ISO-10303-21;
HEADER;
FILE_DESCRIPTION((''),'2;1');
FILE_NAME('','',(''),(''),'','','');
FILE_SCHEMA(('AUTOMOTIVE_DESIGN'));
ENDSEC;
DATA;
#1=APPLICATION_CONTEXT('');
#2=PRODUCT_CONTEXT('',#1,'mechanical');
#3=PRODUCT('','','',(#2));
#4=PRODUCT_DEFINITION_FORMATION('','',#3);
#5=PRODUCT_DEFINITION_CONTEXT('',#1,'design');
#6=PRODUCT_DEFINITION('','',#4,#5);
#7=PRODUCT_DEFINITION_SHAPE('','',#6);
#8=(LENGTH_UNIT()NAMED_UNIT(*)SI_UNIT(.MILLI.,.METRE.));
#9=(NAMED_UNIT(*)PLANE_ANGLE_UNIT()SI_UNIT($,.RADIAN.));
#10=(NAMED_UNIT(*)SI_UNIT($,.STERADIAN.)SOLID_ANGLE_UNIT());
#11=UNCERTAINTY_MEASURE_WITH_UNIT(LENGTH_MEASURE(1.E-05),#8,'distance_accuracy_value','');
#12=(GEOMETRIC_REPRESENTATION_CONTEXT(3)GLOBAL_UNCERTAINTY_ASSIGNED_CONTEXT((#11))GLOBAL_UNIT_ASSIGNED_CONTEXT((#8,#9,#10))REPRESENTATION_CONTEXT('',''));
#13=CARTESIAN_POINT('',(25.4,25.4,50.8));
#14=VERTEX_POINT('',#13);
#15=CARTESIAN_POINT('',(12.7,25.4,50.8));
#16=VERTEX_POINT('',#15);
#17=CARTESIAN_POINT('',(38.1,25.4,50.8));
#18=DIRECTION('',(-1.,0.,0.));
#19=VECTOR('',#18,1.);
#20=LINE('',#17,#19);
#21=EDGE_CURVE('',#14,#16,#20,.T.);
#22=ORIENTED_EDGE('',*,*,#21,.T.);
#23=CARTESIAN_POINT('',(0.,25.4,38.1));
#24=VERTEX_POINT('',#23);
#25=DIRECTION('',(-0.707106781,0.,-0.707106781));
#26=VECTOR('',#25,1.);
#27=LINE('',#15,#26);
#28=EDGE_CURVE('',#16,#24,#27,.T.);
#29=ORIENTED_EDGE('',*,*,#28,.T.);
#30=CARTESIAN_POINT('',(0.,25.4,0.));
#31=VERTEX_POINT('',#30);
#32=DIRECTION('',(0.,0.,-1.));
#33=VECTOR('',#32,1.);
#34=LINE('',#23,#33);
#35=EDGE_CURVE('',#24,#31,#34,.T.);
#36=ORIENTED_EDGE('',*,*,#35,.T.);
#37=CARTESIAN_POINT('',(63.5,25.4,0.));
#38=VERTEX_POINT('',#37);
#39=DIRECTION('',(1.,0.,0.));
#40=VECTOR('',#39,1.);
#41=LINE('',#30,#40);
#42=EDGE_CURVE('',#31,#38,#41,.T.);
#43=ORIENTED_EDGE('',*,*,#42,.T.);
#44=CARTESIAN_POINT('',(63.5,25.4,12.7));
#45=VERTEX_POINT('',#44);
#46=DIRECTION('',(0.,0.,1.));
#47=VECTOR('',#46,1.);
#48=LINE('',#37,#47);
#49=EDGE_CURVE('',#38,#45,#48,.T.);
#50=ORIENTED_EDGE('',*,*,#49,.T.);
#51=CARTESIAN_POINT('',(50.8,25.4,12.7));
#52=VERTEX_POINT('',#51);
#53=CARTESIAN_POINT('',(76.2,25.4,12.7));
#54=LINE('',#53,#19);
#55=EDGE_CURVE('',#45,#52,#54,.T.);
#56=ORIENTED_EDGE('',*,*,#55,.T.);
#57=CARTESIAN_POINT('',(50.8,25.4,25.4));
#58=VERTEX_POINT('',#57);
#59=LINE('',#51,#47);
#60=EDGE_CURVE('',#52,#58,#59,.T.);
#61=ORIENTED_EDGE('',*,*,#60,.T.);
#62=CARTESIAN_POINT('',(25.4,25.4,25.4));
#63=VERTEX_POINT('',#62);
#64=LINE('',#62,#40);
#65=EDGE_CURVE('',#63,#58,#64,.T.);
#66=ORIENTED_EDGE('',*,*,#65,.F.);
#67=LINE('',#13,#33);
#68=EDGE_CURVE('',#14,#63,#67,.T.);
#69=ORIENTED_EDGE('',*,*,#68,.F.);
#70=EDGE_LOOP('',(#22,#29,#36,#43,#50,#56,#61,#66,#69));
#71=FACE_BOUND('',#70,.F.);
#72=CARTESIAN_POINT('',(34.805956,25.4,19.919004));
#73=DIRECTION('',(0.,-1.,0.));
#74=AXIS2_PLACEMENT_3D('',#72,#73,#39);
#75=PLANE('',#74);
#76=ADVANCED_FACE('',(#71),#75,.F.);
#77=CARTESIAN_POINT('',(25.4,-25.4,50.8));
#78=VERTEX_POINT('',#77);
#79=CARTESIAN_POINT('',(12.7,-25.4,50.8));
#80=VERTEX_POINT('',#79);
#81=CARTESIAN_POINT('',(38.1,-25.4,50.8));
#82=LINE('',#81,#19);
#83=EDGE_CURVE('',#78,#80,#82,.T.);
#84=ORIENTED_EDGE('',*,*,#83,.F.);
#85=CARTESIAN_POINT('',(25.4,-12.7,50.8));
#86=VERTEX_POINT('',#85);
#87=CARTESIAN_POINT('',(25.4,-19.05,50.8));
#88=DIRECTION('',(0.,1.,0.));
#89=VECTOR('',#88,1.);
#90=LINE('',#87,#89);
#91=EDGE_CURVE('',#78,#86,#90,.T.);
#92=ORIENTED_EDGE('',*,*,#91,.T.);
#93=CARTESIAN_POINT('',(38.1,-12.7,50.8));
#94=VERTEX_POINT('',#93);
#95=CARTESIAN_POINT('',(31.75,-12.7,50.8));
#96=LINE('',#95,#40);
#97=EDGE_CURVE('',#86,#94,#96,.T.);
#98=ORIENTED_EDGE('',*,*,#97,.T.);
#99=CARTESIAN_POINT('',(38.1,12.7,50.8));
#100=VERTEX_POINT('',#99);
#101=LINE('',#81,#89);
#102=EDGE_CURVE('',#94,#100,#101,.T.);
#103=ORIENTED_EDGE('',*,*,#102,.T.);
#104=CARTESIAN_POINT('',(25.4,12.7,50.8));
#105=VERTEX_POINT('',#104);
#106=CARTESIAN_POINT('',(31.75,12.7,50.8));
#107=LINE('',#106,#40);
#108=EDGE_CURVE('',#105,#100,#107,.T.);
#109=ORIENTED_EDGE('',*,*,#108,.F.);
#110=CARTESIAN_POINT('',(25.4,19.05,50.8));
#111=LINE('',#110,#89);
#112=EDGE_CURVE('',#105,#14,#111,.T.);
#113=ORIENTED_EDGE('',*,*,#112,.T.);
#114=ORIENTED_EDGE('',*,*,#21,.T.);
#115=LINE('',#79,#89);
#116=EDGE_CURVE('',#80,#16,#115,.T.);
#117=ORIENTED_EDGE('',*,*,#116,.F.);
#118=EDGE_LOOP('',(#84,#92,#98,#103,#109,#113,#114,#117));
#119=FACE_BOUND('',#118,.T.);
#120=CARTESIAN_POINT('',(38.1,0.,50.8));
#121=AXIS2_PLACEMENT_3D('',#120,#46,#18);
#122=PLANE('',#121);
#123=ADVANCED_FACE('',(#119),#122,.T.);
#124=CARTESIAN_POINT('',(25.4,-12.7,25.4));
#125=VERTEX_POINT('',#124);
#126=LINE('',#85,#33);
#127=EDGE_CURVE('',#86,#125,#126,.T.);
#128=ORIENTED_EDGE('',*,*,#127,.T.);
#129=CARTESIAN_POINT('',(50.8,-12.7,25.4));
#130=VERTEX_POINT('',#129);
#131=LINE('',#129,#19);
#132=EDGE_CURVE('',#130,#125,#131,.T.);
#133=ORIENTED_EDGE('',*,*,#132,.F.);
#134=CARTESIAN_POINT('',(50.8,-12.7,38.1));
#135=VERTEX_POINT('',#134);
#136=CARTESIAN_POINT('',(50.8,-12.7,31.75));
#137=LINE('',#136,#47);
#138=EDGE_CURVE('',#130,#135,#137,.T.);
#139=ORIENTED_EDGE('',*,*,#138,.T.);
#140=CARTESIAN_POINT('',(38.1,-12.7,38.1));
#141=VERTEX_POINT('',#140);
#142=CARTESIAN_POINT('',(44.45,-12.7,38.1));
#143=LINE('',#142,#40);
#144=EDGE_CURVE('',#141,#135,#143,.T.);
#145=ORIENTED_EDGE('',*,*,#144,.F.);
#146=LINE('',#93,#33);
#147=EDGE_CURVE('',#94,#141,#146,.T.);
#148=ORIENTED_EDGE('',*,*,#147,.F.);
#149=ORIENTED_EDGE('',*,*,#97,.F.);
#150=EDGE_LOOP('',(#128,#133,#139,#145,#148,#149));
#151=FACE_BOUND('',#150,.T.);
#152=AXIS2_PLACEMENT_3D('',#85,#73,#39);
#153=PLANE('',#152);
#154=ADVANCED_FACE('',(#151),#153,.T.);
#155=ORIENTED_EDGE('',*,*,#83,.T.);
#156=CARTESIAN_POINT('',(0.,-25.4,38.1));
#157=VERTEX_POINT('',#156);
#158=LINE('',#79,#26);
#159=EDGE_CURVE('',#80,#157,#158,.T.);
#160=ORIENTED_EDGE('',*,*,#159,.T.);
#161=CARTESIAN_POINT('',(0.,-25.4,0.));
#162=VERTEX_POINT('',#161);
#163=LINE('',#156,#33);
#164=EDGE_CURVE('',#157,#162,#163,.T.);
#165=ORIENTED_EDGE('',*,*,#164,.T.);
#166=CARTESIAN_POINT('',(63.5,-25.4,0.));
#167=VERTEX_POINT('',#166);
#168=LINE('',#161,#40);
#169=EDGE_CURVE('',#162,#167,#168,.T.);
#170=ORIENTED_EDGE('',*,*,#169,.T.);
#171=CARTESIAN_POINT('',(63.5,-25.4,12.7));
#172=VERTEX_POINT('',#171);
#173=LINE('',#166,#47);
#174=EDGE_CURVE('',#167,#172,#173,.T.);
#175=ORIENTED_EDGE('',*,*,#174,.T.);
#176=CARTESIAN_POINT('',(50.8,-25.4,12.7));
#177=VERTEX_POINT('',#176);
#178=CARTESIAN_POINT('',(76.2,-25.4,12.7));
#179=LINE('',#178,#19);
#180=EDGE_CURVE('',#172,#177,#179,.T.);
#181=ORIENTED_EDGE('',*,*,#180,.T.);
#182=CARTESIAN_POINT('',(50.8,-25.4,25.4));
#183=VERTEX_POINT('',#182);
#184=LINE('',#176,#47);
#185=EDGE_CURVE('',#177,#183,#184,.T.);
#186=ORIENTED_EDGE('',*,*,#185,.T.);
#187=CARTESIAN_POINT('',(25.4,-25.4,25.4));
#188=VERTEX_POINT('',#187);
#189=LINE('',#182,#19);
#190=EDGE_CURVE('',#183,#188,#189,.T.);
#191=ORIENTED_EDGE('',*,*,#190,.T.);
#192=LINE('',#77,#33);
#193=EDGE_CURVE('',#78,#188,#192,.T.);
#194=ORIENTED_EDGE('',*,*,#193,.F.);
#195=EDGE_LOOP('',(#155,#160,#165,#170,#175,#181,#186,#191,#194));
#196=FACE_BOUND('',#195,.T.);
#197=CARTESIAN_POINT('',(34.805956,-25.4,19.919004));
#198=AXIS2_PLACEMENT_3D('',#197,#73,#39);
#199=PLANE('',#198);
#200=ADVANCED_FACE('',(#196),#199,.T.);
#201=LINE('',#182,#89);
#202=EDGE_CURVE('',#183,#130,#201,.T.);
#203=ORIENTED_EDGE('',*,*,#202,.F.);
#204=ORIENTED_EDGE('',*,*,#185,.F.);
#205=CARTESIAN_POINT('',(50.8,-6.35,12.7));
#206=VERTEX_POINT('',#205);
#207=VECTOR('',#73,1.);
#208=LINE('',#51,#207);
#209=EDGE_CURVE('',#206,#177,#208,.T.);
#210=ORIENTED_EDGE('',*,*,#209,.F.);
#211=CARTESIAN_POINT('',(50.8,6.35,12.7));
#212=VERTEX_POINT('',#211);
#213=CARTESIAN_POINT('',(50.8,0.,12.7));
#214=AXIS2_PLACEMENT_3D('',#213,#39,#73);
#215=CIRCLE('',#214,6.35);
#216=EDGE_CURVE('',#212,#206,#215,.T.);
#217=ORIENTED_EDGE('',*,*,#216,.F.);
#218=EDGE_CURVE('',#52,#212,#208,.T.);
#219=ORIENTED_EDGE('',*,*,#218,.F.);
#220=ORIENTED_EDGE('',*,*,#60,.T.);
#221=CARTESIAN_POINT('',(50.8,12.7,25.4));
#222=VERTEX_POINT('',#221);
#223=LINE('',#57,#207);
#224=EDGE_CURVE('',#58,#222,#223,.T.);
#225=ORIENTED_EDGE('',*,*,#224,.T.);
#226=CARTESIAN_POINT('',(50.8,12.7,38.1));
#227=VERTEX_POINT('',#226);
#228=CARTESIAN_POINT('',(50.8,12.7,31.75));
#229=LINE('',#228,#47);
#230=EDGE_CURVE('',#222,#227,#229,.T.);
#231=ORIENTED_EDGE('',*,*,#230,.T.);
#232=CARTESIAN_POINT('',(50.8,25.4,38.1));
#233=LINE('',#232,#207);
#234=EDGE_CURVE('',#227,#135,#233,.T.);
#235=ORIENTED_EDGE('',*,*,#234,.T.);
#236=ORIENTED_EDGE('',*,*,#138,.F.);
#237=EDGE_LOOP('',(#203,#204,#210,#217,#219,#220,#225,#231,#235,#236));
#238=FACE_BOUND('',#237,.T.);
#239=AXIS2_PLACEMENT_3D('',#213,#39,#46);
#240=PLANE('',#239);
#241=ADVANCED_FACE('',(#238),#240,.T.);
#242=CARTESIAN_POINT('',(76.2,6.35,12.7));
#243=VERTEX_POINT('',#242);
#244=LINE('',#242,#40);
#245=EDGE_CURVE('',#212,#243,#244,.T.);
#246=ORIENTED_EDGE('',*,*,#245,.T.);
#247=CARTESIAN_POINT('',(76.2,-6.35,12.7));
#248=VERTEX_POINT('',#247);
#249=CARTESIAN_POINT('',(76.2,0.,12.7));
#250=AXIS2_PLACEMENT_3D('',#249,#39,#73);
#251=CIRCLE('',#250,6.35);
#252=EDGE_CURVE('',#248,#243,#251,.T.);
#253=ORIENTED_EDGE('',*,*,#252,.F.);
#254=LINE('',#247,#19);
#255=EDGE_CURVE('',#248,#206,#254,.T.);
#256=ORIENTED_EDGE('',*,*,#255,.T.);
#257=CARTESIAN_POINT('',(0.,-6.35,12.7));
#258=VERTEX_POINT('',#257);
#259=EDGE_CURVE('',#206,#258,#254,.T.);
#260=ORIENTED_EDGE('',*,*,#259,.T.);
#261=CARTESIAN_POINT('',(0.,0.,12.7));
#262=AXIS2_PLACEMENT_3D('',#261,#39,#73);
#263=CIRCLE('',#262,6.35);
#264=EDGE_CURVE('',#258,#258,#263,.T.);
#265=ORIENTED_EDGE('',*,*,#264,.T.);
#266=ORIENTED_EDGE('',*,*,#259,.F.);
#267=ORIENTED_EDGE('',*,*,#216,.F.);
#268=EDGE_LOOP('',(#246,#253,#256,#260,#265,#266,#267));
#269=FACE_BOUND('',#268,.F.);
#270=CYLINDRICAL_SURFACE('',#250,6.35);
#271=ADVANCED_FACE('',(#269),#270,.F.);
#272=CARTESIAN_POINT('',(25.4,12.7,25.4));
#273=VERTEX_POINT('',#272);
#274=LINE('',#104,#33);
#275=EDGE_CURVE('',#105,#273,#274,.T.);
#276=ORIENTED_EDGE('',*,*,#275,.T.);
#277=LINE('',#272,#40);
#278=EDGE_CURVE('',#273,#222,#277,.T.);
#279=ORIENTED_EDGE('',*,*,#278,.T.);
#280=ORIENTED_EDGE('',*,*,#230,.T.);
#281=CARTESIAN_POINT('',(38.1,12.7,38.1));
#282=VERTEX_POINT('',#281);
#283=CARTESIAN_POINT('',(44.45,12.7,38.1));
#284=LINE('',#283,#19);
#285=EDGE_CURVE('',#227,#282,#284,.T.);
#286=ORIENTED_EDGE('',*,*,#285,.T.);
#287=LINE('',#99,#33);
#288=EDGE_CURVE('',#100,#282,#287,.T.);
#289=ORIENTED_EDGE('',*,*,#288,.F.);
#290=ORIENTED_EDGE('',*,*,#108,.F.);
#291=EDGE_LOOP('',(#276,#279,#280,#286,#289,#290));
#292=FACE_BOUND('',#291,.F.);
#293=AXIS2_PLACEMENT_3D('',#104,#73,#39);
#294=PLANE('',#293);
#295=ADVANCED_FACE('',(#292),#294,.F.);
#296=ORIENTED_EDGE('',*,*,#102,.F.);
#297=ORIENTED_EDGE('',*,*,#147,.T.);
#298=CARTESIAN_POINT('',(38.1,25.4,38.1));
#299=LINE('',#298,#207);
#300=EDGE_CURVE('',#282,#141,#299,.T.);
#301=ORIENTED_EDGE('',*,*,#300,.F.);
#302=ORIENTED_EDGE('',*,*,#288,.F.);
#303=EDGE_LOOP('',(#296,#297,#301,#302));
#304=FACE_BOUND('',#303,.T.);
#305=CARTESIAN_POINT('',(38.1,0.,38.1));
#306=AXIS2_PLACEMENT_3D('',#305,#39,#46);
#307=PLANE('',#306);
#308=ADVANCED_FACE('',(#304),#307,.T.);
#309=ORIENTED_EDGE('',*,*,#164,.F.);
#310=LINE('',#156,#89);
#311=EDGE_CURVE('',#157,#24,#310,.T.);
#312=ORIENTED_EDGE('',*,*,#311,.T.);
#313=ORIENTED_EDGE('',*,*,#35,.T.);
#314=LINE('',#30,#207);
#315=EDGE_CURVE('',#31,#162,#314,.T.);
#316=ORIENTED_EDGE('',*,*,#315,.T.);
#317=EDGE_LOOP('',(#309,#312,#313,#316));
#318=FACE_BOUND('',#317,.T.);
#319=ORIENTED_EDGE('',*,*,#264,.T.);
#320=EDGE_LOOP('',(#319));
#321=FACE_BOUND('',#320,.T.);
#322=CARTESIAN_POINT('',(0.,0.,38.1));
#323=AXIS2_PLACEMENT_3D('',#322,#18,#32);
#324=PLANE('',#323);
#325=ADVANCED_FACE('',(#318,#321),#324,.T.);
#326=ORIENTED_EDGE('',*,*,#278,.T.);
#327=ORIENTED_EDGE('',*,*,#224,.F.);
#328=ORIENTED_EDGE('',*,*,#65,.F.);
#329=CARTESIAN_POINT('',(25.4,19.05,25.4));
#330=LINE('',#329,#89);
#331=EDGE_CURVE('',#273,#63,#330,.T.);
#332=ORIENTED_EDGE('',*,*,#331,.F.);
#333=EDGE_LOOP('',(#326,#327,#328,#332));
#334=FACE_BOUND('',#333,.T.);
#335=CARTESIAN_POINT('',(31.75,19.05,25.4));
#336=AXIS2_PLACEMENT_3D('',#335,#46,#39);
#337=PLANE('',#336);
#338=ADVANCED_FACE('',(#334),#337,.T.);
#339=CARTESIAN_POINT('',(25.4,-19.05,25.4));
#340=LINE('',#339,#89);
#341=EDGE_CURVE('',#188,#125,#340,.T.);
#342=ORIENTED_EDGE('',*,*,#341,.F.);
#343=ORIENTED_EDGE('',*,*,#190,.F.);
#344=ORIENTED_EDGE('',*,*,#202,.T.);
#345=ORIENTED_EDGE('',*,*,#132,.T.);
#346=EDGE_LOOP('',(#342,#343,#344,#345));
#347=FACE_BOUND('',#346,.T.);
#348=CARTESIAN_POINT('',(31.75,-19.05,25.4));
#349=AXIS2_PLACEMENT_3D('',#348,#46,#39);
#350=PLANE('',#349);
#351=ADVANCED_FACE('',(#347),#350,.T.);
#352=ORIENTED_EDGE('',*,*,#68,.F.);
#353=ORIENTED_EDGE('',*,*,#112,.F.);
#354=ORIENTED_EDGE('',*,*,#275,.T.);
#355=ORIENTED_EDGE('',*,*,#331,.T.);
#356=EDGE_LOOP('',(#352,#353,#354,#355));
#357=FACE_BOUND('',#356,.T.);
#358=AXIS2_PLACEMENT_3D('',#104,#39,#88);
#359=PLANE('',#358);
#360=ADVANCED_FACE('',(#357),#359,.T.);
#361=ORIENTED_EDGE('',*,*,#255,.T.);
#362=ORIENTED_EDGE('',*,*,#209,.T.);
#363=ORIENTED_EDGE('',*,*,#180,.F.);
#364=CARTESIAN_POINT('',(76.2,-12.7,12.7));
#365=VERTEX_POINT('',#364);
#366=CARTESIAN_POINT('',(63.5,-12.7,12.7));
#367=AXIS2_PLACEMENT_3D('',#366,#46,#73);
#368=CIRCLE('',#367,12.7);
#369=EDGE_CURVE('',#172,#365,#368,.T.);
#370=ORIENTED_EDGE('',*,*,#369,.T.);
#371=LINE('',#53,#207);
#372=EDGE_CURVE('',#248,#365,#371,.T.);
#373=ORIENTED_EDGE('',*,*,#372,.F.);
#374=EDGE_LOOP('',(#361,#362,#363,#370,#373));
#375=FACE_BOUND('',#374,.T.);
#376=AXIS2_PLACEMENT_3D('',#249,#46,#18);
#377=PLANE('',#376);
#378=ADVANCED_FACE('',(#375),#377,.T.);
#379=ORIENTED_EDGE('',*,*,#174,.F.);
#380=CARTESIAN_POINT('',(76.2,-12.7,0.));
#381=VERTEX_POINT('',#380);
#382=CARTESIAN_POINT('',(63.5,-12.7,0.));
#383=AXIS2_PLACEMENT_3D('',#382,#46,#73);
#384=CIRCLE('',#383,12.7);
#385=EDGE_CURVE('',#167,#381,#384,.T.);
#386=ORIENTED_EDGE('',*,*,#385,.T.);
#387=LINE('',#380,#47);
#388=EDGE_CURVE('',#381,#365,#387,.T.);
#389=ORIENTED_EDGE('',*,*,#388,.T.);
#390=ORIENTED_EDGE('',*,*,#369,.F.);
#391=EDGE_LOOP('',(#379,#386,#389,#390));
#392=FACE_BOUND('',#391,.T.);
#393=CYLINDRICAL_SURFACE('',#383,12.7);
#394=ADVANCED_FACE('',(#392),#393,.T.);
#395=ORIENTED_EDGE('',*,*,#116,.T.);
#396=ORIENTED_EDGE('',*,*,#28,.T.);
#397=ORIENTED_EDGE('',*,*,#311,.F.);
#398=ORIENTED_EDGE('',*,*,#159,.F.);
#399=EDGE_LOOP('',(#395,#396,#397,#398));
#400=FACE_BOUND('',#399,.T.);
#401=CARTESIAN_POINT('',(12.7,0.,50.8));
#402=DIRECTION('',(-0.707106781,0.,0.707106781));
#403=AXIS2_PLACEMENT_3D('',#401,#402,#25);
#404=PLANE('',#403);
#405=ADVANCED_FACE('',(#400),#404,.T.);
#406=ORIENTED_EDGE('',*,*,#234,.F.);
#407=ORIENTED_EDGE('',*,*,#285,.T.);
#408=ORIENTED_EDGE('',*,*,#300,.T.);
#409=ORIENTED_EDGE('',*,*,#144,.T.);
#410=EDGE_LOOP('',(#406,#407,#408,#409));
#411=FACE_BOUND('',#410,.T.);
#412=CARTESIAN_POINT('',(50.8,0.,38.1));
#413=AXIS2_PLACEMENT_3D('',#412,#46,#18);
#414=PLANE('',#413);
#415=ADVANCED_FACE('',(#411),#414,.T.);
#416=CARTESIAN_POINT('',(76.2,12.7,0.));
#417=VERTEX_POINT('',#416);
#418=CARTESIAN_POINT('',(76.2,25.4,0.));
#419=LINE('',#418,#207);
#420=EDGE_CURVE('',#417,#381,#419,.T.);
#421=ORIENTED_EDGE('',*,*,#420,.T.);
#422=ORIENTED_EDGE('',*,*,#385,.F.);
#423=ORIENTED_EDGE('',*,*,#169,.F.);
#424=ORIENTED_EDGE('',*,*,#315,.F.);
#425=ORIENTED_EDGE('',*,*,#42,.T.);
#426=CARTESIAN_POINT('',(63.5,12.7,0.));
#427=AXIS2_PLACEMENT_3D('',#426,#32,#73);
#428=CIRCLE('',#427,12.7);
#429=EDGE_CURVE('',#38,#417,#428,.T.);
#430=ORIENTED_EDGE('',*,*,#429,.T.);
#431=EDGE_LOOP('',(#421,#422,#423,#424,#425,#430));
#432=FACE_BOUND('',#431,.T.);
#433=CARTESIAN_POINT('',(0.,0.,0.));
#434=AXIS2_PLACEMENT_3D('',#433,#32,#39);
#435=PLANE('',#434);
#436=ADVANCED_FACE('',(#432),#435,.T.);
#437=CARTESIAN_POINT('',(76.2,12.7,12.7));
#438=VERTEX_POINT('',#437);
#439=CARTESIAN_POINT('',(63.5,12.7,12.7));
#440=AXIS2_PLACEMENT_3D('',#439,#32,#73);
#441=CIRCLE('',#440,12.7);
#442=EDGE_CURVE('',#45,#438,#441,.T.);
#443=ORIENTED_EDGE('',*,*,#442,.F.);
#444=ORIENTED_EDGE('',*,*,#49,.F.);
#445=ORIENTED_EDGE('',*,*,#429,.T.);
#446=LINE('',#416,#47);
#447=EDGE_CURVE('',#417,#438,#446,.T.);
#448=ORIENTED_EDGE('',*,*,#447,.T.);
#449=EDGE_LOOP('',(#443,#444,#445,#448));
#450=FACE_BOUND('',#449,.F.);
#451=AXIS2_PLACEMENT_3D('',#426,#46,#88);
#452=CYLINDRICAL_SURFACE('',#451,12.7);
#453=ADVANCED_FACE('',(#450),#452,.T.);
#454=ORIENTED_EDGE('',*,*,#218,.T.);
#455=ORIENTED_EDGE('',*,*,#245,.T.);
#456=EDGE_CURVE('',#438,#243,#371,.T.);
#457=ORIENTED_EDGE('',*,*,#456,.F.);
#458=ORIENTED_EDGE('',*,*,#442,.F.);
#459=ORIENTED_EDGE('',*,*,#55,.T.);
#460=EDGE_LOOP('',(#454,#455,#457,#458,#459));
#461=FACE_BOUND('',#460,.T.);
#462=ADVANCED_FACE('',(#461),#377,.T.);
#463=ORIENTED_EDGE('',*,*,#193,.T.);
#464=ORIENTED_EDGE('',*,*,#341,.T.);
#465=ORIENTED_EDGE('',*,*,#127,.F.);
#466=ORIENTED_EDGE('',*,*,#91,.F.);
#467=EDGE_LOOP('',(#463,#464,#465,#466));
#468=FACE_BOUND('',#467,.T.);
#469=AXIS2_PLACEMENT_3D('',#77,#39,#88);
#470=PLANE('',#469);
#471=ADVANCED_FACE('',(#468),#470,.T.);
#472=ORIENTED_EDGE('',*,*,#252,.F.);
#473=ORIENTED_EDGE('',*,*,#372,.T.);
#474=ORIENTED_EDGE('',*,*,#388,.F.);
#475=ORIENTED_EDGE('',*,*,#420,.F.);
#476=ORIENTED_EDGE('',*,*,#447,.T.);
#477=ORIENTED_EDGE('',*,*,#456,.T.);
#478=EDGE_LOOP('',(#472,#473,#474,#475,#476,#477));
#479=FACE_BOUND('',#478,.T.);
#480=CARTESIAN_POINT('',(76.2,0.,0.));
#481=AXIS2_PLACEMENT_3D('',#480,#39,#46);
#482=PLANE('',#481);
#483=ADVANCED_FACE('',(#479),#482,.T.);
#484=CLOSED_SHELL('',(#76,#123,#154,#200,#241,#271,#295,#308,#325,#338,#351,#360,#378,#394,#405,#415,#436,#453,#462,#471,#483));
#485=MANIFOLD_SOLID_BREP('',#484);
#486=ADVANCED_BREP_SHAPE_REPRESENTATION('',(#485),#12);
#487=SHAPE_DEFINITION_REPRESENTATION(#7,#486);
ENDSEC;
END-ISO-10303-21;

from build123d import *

# Parameters (mm, degrees)
F1_DEPTH  = 25.4
F2_W      = 12.7
F2_H      = 12.7
F3_DEPTH  = 25.4
F4_DEPTH  = 25.4
F5_W      = 12.7
F5_H      = 12.7
F6_DEPTH  = 12.7
F7_W      = 12.7
F7_H      = 12.7
F8_DEPTH  = 12.7
F10_DEPTH = 76.201
F11_R     = 12.7


with BuildPart() as f1:
    # F0 (on Front) → F1 (new body, symmetric)
    with BuildSketch(Plane.XZ):
        Polygon((0, 38.1), (0, 0), (76.2, 0), (76.2, 12.7), (50.8, 12.7), (50.8, 38.1), (38.1, 38.1), (38.1, 50.8), (12.7, 50.8), align=None)
    extrude(amount=F1_DEPTH, both=True)

    # F2 (on face) → F3 (cut)
    with BuildSketch(Plane.XY.offset(50.8)):
        with Locations((31.75, 19.05)):
            Rectangle(F2_W, F2_H)
    extrude(amount=-F3_DEPTH, mode=Mode.SUBTRACT)

    # F2 (on face) → F4 (cut)
    with BuildSketch(Plane.XY.offset(50.8)):
        with Locations((31.75, -19.05)):
            Rectangle(F2_W, F2_H)
    extrude(amount=-F4_DEPTH, mode=Mode.SUBTRACT)

    # F5 (on face) → F6 (cut)
    with BuildSketch(Plane.XZ.offset(25.4)):
        with Locations((44.45, 31.75)):
            Rectangle(F5_W, F5_H)
    extrude(amount=-F6_DEPTH, mode=Mode.SUBTRACT)

    # F7 (on face) → F8 (cut)
    with BuildSketch(Plane(origin=(0, 25.4, 0), x_dir=(-1, 0, 0), z_dir=(0, 1, 0))):
        with Locations((-44.45, 31.75)):
            Rectangle(F7_W, F7_H)
    extrude(amount=-F8_DEPTH, mode=Mode.SUBTRACT)

    # F9 (on face) → F10 (cut, through all)
    with BuildSketch(Plane.YZ.offset(76.2)):
        with BuildLine():
            Line((-6.35, 12.7), (6.35, 12.7))
            ThreePointArc((6.35, 12.7), (0, 19.05), (-6.35, 12.7))
        make_face()
        with BuildLine():
            ThreePointArc((-6.35, 12.7), (0, 6.35), (6.35, 12.7))
            Line((6.35, 12.7), (-6.35, 12.7))
        make_face()
    extrude(amount=-F10_DEPTH, mode=Mode.SUBTRACT)

    # F11
    f11_edges = [f1.edges().sort_by_distance(p)[0] for p in [
        (76.2, -25.4, 6.35),
        (76.2, 25.4, 6.35),
    ]]
    fillet(f11_edges, radius=F11_R)


solid = f1.part
